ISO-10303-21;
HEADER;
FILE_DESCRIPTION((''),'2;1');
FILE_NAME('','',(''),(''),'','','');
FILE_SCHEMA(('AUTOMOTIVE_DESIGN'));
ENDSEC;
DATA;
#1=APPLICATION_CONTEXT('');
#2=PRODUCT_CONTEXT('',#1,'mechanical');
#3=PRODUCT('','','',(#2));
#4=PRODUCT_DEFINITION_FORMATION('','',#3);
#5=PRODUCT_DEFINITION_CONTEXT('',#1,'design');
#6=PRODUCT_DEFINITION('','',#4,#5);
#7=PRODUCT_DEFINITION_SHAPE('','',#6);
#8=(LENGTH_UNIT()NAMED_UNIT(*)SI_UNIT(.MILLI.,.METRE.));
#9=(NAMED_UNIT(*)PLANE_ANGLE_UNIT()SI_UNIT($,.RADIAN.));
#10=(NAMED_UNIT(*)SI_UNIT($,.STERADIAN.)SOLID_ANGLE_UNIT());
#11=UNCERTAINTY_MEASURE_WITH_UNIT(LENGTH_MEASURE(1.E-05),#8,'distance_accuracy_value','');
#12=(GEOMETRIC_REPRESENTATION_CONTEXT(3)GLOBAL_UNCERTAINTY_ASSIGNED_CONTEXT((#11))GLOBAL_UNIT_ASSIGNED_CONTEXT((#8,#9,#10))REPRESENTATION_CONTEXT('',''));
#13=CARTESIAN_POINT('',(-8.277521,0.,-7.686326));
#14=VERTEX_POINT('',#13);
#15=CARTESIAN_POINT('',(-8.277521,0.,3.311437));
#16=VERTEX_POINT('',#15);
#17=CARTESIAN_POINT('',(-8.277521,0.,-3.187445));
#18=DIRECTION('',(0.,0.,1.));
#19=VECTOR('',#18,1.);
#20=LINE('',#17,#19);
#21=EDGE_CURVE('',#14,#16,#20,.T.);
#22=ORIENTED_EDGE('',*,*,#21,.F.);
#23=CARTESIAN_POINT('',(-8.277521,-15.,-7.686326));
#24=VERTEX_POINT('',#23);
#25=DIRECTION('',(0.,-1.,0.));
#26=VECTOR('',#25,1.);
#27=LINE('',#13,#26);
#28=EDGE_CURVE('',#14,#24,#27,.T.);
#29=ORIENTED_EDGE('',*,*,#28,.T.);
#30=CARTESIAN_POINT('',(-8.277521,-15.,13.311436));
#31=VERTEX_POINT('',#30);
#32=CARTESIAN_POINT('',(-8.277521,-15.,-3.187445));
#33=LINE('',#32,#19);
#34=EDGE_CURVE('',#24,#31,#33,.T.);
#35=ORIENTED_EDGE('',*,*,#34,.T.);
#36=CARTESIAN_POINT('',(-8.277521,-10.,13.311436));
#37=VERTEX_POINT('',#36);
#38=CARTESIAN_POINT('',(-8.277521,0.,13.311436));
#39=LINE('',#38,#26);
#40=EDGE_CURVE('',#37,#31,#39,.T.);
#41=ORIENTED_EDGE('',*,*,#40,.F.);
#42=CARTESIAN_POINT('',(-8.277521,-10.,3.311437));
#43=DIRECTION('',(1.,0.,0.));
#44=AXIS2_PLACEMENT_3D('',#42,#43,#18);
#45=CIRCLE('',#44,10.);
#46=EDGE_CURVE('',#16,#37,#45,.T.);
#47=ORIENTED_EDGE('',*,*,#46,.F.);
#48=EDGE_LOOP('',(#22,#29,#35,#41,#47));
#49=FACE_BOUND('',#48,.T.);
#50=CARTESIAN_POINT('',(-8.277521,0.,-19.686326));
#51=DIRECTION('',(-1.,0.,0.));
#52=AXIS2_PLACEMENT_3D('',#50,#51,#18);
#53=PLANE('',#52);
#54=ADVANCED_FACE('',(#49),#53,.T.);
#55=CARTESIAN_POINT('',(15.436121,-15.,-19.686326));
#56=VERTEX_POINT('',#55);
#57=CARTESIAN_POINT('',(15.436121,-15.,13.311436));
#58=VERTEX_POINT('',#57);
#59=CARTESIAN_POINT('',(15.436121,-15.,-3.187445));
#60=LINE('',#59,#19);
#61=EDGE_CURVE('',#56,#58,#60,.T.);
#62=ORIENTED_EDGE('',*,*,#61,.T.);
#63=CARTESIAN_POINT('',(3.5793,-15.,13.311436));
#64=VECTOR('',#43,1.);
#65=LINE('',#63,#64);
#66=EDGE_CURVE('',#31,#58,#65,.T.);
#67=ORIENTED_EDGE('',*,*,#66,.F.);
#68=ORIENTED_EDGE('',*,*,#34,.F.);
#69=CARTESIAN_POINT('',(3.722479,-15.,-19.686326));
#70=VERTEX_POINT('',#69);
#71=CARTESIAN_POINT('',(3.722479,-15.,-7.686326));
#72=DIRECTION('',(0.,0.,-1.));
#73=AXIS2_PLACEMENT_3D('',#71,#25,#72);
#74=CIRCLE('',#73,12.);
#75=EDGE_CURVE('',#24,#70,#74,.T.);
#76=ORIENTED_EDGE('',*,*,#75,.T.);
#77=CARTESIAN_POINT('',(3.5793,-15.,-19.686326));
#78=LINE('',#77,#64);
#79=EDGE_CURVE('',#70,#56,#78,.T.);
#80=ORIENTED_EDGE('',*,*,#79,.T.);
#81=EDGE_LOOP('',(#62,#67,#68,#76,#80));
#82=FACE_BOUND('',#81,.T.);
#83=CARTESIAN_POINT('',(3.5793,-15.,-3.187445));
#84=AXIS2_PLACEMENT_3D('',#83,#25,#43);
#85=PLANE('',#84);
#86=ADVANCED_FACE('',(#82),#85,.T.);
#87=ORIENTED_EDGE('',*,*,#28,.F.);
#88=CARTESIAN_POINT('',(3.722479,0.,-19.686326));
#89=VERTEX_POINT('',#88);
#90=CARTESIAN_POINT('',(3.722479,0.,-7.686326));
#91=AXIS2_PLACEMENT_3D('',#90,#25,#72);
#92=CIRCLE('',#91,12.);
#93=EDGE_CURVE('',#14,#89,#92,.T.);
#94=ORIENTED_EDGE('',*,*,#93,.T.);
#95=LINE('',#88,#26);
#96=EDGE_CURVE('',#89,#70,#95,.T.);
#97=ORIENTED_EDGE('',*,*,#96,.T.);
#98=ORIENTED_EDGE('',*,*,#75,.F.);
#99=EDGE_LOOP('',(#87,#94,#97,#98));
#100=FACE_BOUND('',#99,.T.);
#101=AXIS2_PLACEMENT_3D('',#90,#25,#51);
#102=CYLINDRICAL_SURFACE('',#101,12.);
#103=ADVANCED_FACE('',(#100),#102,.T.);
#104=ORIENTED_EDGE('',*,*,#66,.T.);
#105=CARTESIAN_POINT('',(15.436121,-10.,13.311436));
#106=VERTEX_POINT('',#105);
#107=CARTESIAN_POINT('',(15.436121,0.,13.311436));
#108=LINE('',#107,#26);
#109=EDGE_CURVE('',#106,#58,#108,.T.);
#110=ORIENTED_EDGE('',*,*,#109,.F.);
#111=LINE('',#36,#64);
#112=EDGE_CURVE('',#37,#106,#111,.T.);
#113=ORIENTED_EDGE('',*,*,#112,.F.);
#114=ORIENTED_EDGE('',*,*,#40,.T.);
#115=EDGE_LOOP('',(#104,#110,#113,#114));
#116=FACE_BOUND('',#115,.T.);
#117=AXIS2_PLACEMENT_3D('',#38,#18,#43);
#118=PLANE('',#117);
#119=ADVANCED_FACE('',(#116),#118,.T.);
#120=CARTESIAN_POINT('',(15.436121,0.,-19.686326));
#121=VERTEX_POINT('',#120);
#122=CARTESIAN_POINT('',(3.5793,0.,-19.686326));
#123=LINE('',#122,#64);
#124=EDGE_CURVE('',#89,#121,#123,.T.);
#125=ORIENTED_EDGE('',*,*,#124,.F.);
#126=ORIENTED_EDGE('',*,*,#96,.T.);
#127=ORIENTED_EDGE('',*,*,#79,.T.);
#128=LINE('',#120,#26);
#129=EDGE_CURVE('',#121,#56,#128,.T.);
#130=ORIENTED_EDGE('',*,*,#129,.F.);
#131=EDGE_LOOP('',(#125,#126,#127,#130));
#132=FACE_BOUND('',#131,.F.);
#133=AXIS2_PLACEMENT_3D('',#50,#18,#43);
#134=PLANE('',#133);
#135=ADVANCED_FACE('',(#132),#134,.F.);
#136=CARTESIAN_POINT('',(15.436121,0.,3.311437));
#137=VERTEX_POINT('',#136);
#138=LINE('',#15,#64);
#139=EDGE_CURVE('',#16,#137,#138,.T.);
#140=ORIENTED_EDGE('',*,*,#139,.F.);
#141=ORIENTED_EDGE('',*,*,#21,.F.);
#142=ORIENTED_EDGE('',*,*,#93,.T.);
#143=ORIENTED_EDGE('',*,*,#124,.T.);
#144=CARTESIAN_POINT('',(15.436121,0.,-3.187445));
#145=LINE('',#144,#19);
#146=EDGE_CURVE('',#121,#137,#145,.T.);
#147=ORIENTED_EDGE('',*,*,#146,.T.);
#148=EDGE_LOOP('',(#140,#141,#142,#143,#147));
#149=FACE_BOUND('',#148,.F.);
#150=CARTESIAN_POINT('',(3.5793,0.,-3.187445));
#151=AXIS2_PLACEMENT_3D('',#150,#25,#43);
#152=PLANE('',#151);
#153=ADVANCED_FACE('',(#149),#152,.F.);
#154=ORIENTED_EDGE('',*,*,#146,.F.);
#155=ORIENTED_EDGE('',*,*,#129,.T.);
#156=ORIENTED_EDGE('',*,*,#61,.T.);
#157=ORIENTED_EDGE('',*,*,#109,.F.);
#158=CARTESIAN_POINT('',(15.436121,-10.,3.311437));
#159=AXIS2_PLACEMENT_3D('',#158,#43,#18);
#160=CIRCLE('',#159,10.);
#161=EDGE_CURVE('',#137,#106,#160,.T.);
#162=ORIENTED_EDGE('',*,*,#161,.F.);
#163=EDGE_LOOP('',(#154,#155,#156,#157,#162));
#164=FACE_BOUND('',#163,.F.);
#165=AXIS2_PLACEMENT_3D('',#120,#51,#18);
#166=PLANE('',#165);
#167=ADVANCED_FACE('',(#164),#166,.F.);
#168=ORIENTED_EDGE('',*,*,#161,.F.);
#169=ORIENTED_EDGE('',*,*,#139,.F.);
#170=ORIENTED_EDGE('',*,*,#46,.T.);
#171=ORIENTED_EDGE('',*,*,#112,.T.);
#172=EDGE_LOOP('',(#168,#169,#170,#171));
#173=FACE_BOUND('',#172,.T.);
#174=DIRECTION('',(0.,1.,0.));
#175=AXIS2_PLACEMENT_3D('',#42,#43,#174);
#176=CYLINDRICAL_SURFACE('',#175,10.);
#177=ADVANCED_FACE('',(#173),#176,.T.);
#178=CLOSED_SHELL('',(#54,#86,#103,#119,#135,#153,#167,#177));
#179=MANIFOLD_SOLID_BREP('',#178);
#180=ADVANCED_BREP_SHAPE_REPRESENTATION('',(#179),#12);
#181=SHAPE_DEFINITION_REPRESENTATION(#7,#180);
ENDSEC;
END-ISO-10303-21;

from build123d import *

# Parameters (mm, degrees)
SKETCH_W    = 23.713642
SKETCH_H    = 32.997763
PAD_DEPTH   = 15
FILLET_R    = 12
FILLET001_R = 10


with BuildPart() as part:
    # Sketch (on XZ_Plane of Origin) → Pad (new body)
    with BuildSketch(Plane.XZ):
        with Locations((3.5793, -3.187445)):
            Rectangle(SKETCH_W, SKETCH_H)
    extrude(amount=PAD_DEPTH)

    # Fillet
    fillet_edges = [part.edges().sort_by_distance(p)[0] for p in [
        (-8.277521, -7.5, -19.686327),
    ]]
    fillet(fillet_edges, radius=FILLET_R)

    # Fillet001
    fillet001_edges = [part.edges().sort_by_distance(p)[0] for p in [
        (3.5793, 0, 13.311436),
    ]]
    fillet(fillet001_edges, radius=FILLET001_R)


solid = part.part
